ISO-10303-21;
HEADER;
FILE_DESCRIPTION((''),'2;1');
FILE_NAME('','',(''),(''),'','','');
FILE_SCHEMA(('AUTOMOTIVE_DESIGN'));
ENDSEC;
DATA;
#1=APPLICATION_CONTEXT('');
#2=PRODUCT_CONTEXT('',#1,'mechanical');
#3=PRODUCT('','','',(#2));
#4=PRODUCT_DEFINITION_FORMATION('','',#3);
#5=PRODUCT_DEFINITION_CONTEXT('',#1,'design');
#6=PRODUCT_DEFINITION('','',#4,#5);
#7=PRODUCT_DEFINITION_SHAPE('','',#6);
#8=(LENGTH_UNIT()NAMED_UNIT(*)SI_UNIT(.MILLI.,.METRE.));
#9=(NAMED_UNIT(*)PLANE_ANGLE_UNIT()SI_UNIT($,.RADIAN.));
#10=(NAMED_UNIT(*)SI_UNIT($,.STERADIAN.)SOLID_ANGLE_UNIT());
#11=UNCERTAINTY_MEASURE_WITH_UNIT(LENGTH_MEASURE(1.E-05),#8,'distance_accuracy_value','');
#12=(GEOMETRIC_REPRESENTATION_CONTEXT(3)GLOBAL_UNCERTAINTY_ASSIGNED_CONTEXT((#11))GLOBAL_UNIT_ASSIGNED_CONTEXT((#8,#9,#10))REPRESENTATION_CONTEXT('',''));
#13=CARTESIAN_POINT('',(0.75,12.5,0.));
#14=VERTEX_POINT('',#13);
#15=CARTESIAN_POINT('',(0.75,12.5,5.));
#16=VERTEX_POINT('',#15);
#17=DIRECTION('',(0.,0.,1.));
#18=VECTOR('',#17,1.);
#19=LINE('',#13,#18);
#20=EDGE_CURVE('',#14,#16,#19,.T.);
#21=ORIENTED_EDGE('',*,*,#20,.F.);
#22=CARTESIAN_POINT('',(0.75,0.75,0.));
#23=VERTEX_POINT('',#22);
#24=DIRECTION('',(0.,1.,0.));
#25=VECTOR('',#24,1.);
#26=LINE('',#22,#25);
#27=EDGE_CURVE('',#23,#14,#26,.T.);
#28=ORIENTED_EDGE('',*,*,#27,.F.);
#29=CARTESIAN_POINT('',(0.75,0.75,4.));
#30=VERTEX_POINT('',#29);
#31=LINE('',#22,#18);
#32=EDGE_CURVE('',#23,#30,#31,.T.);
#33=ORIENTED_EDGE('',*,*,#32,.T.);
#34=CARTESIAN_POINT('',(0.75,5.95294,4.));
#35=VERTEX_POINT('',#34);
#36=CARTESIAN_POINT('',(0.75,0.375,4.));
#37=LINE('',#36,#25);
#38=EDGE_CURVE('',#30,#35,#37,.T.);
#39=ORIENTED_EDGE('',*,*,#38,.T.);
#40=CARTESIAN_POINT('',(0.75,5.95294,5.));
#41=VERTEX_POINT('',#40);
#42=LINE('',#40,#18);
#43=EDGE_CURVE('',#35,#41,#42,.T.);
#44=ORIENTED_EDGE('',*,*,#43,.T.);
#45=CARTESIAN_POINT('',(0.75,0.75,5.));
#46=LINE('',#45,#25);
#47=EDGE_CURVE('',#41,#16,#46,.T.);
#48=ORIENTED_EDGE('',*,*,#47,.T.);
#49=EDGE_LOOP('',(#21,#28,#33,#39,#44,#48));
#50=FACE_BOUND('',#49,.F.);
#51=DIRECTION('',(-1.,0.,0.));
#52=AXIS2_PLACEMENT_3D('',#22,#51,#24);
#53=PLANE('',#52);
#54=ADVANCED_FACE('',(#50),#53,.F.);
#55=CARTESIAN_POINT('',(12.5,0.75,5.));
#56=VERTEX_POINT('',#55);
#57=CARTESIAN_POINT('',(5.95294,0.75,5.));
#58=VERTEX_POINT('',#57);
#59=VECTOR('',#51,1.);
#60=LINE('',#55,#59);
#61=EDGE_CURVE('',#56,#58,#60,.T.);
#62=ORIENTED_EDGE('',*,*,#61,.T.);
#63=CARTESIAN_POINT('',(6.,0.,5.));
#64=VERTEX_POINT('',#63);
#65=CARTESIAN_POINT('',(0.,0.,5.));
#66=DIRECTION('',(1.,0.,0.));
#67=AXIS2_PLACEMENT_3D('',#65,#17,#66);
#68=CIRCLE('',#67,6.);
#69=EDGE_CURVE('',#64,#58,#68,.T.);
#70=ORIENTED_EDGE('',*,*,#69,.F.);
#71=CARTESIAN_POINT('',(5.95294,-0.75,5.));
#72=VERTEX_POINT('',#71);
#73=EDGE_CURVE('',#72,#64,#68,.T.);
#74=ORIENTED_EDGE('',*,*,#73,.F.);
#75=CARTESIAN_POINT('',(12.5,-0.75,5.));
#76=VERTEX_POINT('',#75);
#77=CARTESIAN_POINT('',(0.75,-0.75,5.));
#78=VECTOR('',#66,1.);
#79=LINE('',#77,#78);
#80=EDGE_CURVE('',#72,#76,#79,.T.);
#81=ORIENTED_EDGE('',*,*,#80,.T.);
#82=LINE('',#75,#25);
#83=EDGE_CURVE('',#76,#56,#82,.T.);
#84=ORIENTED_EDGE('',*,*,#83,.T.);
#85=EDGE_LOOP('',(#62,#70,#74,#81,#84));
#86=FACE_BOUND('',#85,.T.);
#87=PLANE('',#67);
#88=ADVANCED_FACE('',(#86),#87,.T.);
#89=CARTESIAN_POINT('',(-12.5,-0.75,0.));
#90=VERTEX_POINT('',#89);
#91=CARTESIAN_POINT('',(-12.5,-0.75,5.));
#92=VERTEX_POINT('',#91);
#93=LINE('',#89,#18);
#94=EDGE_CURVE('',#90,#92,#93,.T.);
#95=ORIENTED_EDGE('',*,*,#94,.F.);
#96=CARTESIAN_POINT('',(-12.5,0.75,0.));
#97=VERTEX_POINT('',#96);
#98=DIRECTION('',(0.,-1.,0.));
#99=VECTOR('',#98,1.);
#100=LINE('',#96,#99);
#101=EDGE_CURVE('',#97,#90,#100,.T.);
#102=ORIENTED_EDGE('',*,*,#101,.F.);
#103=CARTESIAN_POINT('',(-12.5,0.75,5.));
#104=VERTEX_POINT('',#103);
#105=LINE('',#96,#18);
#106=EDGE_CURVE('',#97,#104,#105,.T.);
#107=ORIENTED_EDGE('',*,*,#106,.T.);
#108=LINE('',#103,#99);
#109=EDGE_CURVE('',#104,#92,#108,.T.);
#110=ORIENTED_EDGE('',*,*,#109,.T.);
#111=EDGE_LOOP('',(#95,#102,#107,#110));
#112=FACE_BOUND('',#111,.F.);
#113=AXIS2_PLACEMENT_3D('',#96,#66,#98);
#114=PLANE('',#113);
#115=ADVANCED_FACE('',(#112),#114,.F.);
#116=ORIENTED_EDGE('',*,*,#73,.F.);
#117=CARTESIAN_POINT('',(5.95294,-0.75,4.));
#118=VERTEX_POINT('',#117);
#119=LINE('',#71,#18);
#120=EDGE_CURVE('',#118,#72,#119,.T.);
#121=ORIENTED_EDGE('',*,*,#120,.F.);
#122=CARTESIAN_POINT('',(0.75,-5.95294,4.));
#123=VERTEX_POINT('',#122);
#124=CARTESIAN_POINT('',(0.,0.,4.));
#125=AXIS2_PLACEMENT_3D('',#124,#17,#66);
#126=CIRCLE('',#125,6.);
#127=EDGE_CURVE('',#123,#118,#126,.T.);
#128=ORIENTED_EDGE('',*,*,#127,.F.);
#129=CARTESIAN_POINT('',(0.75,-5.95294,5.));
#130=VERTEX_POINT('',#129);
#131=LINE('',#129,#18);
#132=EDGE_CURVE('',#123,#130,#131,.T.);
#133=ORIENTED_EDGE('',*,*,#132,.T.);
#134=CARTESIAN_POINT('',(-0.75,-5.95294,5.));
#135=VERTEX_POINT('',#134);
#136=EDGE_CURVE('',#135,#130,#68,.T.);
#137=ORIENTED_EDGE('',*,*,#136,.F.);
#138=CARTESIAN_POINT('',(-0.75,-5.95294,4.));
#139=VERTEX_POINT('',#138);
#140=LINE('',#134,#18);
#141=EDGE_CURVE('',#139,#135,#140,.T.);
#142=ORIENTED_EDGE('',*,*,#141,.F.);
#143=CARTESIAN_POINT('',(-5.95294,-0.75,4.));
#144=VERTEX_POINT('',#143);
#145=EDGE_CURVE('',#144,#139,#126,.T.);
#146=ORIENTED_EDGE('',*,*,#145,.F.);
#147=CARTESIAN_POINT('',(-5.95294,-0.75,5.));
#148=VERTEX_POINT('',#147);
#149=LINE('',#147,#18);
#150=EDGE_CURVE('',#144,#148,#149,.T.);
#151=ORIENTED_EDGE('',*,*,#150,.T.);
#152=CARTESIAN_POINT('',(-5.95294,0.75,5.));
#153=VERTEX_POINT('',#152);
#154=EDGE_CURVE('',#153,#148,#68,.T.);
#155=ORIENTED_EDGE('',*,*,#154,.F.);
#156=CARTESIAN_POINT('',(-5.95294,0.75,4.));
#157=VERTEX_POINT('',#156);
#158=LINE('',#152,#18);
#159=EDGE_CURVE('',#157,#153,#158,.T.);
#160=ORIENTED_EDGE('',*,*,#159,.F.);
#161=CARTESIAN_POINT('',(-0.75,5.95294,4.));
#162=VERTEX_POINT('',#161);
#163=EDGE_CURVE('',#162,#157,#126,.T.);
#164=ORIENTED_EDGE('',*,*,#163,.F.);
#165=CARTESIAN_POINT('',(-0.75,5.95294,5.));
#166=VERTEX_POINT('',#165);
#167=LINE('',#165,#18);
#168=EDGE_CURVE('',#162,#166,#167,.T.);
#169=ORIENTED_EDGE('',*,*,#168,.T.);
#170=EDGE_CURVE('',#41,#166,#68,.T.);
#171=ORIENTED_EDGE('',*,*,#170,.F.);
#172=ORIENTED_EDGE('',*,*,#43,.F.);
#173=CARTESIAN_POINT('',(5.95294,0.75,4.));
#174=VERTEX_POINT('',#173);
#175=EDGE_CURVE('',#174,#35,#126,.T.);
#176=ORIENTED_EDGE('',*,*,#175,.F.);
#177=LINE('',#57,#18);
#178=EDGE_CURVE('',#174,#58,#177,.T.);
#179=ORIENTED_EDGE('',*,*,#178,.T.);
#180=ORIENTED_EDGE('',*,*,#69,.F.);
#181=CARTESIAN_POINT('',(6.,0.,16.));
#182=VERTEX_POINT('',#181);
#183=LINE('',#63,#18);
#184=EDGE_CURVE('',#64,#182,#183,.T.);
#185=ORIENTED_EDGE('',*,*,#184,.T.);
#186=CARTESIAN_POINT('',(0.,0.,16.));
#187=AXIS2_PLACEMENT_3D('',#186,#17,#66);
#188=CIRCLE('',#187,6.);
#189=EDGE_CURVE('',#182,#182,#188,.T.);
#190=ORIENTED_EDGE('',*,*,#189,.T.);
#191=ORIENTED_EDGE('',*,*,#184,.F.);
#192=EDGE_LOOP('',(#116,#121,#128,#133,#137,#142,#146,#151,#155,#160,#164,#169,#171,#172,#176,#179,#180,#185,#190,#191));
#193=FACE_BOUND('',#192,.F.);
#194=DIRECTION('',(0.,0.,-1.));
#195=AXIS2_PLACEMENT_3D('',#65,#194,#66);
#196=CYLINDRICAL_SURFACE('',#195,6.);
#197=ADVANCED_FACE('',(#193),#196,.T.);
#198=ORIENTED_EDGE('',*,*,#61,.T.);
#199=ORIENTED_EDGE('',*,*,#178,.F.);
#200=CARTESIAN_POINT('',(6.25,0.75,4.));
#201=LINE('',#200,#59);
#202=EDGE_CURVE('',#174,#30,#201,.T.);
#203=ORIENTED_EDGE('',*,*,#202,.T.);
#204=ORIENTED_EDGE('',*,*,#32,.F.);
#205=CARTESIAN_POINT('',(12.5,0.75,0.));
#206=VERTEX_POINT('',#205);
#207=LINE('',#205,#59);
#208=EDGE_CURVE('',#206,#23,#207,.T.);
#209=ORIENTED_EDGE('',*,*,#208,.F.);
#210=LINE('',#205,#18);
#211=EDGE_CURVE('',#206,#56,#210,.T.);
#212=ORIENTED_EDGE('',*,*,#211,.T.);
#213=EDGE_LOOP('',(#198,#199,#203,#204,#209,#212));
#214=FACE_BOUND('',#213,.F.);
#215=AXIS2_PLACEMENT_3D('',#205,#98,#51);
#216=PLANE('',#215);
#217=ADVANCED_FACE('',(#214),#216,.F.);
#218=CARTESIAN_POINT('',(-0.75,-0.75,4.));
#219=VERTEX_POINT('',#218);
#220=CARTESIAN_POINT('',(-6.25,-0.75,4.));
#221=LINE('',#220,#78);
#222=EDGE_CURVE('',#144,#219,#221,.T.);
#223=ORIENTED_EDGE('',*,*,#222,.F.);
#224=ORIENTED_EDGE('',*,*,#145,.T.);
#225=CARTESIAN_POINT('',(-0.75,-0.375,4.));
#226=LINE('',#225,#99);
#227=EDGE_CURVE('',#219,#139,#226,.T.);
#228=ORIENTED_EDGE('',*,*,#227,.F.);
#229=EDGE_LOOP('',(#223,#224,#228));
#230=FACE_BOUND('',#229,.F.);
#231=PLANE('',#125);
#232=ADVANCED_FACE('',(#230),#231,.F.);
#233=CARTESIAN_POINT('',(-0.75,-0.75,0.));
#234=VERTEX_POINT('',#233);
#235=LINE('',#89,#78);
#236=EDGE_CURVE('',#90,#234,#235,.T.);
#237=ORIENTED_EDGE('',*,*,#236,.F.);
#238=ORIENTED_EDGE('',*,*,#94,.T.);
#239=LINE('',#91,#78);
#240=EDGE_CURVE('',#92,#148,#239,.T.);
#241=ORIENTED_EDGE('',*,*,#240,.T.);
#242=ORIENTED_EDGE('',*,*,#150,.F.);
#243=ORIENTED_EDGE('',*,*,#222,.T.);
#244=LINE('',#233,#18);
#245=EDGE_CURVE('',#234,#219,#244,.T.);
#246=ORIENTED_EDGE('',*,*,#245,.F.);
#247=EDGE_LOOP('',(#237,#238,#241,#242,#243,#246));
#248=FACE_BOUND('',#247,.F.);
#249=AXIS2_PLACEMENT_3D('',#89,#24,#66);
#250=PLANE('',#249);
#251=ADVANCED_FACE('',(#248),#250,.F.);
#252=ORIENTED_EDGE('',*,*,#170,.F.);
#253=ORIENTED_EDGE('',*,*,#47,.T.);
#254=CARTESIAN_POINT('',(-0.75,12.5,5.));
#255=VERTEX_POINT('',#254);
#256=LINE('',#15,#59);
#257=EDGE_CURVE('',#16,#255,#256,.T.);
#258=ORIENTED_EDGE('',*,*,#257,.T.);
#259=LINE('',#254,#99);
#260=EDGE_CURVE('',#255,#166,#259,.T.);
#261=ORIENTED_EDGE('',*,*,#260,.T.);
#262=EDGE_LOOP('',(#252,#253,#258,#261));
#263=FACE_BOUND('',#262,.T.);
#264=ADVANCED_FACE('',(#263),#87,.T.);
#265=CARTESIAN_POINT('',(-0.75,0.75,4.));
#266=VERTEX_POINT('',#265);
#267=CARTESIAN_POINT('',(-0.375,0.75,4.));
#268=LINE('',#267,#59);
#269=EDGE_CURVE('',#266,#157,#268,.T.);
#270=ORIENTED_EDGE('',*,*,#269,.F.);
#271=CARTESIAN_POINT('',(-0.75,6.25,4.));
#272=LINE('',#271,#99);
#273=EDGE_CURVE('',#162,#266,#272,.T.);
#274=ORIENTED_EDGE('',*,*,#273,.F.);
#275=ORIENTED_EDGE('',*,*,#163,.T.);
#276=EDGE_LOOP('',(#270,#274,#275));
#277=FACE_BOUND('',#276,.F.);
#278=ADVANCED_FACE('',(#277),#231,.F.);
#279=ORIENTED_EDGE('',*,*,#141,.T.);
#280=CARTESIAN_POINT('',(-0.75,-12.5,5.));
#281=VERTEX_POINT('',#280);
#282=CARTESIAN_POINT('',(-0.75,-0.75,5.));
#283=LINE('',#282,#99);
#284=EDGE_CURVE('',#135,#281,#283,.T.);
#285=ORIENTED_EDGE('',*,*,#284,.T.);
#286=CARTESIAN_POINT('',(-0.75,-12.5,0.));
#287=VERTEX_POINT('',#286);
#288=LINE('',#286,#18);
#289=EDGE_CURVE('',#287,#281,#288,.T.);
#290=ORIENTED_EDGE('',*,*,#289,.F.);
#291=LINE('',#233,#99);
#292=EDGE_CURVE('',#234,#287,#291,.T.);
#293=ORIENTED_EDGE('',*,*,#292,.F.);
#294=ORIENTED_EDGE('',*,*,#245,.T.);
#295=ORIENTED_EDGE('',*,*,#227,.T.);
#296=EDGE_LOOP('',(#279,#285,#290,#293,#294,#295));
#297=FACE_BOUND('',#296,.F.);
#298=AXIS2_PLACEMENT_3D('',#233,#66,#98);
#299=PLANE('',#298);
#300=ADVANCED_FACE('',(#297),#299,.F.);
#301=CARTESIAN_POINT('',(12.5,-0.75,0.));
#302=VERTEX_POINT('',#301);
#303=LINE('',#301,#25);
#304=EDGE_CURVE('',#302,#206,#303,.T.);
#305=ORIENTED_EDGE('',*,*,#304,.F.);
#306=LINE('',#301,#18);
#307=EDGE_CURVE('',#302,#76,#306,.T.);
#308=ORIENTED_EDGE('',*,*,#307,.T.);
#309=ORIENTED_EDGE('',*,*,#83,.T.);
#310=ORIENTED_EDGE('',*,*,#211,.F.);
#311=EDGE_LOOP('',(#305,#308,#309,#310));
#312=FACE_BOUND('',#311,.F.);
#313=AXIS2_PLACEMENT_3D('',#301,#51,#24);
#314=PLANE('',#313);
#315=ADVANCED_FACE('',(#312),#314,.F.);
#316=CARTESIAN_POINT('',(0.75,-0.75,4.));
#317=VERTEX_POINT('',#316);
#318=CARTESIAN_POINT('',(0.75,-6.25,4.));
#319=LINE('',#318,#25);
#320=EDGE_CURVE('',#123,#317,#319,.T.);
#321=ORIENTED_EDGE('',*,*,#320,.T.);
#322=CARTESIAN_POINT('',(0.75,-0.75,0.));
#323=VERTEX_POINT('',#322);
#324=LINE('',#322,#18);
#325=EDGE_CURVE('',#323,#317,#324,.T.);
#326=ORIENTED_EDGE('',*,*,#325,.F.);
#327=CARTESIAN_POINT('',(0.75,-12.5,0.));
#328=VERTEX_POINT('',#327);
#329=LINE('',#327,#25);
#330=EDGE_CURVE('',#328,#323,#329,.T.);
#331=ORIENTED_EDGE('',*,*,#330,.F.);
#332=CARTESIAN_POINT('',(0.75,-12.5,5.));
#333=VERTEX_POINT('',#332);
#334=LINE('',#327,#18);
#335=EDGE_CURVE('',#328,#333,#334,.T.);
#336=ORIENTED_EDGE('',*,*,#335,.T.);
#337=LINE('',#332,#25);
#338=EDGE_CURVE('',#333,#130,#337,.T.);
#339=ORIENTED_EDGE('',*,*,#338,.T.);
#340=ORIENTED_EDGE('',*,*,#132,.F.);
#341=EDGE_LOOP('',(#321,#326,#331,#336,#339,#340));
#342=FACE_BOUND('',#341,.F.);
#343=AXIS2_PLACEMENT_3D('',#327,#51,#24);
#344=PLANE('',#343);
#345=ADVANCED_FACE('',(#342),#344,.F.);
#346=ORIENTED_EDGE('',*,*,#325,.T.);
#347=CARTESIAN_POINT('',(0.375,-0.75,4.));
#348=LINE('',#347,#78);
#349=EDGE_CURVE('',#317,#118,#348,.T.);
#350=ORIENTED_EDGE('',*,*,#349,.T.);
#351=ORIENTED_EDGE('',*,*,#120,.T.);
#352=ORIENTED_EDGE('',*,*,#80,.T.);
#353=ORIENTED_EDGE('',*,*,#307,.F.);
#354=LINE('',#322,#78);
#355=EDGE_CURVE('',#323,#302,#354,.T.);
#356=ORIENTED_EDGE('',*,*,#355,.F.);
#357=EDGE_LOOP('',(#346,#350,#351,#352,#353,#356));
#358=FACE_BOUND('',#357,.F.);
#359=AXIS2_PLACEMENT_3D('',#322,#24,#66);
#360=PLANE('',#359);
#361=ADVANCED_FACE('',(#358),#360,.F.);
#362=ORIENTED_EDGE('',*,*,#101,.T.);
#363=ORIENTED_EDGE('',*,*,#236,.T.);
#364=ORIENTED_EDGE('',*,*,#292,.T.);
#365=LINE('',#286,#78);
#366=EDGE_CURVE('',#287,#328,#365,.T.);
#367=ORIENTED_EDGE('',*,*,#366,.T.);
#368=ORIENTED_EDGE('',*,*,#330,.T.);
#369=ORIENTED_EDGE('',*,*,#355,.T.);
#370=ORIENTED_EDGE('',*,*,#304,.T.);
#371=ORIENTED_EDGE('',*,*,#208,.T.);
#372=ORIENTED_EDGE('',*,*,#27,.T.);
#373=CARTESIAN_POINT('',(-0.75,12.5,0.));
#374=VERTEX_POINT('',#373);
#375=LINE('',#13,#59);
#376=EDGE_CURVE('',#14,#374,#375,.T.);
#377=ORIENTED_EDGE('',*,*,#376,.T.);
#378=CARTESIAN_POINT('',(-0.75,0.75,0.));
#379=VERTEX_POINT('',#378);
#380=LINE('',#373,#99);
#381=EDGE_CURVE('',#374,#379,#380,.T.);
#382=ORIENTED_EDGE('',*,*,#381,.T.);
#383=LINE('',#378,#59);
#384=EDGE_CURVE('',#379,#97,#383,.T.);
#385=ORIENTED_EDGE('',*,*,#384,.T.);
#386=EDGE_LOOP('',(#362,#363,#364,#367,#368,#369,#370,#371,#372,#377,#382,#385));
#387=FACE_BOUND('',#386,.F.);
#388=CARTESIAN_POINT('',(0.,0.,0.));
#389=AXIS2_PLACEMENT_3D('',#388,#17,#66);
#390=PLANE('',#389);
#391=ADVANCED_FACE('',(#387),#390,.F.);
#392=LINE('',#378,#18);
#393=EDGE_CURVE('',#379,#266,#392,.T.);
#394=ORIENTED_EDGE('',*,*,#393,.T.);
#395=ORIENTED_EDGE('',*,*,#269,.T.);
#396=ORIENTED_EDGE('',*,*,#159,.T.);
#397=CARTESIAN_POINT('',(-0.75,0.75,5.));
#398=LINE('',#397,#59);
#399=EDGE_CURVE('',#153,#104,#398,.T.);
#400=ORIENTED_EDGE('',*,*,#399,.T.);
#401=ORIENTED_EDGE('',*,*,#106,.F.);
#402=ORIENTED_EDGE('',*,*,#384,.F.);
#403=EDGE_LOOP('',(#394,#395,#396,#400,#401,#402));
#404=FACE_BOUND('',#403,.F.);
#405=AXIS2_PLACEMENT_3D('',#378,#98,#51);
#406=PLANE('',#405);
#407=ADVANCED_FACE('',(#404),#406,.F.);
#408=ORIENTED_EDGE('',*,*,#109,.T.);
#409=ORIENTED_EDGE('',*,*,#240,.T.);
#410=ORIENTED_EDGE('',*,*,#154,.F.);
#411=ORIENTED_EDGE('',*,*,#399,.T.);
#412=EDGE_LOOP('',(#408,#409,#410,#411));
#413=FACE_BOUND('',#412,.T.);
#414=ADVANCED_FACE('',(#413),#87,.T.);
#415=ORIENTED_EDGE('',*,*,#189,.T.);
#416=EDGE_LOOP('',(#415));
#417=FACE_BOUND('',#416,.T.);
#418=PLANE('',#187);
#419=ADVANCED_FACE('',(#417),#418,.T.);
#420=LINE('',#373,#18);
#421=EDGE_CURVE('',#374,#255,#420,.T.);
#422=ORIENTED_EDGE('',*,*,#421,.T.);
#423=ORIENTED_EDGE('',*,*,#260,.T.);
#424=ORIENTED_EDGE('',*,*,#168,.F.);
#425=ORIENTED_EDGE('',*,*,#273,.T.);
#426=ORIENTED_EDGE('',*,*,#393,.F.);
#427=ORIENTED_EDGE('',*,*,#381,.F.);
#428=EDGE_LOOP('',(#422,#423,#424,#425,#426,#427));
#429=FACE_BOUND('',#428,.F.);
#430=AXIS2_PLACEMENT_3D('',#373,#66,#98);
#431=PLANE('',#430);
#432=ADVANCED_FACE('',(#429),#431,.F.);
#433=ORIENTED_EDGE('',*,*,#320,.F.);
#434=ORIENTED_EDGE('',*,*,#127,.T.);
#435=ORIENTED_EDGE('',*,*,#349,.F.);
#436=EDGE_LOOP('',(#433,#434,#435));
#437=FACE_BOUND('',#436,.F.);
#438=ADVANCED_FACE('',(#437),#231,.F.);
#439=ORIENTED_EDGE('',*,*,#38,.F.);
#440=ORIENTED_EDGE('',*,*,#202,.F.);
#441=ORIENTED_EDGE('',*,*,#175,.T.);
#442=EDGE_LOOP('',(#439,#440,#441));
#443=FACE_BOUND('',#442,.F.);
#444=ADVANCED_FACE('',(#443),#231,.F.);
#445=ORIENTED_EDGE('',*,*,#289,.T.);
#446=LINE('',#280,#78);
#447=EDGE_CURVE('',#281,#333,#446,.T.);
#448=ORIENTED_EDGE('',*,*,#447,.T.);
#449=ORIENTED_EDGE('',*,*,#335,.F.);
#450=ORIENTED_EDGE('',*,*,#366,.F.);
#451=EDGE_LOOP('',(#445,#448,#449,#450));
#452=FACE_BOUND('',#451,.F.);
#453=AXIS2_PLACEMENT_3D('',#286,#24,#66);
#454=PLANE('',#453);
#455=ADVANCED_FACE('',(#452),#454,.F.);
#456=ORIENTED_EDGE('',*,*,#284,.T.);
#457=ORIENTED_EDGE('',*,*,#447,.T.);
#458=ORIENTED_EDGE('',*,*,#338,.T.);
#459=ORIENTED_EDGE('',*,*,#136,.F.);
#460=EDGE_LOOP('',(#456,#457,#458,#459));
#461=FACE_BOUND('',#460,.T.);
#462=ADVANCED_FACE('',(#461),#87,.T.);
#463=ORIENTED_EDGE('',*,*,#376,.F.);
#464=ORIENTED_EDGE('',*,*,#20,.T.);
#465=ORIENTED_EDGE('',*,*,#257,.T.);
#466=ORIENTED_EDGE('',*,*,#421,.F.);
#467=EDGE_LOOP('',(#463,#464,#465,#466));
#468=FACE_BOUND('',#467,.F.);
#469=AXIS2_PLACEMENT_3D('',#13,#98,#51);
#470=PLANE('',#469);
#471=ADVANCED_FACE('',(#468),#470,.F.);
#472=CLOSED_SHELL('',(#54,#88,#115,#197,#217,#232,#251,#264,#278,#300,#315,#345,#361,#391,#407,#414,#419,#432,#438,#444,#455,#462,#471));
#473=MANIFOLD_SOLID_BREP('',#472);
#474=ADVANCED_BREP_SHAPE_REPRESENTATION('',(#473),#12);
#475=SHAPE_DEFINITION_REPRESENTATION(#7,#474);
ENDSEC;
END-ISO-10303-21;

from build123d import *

# Parameters (mm, degrees)
PAD_DEPTH    = 5
SKETCH001_R  = 6
PAD001_DEPTH = 1
SKETCH002_R  = 6
PAD002_DEPTH = 11


with BuildPart() as part:
    # Sketch → Pad (new body)
    with BuildSketch(Plane.XY):
        Polygon((-0.75, 12.5), (-0.75, 0.75), (-12.5, 0.75), (-12.5, -0.75), (-0.75, -0.75), (-0.75, -12.5), (0.75, -12.5), (0.75, -0.75), (12.5, -0.75), (12.5, 0.75), (0.75, 0.75), (0.75, 12.5), align=None)
    extrude(amount=PAD_DEPTH)

    # Sketch001 (on Face14 of Pad) → Pad001 (join)
    with BuildSketch(Plane.XY.offset(5)):
        Circle(SKETCH001_R)
    extrude(amount=-PAD001_DEPTH)

    # Sketch002 (on Face19 of Pad001) → Pad002 (join)
    with BuildSketch(Plane.XY.offset(5)):
        Circle(SKETCH002_R)
    extrude(amount=PAD002_DEPTH)


solid = part.part
